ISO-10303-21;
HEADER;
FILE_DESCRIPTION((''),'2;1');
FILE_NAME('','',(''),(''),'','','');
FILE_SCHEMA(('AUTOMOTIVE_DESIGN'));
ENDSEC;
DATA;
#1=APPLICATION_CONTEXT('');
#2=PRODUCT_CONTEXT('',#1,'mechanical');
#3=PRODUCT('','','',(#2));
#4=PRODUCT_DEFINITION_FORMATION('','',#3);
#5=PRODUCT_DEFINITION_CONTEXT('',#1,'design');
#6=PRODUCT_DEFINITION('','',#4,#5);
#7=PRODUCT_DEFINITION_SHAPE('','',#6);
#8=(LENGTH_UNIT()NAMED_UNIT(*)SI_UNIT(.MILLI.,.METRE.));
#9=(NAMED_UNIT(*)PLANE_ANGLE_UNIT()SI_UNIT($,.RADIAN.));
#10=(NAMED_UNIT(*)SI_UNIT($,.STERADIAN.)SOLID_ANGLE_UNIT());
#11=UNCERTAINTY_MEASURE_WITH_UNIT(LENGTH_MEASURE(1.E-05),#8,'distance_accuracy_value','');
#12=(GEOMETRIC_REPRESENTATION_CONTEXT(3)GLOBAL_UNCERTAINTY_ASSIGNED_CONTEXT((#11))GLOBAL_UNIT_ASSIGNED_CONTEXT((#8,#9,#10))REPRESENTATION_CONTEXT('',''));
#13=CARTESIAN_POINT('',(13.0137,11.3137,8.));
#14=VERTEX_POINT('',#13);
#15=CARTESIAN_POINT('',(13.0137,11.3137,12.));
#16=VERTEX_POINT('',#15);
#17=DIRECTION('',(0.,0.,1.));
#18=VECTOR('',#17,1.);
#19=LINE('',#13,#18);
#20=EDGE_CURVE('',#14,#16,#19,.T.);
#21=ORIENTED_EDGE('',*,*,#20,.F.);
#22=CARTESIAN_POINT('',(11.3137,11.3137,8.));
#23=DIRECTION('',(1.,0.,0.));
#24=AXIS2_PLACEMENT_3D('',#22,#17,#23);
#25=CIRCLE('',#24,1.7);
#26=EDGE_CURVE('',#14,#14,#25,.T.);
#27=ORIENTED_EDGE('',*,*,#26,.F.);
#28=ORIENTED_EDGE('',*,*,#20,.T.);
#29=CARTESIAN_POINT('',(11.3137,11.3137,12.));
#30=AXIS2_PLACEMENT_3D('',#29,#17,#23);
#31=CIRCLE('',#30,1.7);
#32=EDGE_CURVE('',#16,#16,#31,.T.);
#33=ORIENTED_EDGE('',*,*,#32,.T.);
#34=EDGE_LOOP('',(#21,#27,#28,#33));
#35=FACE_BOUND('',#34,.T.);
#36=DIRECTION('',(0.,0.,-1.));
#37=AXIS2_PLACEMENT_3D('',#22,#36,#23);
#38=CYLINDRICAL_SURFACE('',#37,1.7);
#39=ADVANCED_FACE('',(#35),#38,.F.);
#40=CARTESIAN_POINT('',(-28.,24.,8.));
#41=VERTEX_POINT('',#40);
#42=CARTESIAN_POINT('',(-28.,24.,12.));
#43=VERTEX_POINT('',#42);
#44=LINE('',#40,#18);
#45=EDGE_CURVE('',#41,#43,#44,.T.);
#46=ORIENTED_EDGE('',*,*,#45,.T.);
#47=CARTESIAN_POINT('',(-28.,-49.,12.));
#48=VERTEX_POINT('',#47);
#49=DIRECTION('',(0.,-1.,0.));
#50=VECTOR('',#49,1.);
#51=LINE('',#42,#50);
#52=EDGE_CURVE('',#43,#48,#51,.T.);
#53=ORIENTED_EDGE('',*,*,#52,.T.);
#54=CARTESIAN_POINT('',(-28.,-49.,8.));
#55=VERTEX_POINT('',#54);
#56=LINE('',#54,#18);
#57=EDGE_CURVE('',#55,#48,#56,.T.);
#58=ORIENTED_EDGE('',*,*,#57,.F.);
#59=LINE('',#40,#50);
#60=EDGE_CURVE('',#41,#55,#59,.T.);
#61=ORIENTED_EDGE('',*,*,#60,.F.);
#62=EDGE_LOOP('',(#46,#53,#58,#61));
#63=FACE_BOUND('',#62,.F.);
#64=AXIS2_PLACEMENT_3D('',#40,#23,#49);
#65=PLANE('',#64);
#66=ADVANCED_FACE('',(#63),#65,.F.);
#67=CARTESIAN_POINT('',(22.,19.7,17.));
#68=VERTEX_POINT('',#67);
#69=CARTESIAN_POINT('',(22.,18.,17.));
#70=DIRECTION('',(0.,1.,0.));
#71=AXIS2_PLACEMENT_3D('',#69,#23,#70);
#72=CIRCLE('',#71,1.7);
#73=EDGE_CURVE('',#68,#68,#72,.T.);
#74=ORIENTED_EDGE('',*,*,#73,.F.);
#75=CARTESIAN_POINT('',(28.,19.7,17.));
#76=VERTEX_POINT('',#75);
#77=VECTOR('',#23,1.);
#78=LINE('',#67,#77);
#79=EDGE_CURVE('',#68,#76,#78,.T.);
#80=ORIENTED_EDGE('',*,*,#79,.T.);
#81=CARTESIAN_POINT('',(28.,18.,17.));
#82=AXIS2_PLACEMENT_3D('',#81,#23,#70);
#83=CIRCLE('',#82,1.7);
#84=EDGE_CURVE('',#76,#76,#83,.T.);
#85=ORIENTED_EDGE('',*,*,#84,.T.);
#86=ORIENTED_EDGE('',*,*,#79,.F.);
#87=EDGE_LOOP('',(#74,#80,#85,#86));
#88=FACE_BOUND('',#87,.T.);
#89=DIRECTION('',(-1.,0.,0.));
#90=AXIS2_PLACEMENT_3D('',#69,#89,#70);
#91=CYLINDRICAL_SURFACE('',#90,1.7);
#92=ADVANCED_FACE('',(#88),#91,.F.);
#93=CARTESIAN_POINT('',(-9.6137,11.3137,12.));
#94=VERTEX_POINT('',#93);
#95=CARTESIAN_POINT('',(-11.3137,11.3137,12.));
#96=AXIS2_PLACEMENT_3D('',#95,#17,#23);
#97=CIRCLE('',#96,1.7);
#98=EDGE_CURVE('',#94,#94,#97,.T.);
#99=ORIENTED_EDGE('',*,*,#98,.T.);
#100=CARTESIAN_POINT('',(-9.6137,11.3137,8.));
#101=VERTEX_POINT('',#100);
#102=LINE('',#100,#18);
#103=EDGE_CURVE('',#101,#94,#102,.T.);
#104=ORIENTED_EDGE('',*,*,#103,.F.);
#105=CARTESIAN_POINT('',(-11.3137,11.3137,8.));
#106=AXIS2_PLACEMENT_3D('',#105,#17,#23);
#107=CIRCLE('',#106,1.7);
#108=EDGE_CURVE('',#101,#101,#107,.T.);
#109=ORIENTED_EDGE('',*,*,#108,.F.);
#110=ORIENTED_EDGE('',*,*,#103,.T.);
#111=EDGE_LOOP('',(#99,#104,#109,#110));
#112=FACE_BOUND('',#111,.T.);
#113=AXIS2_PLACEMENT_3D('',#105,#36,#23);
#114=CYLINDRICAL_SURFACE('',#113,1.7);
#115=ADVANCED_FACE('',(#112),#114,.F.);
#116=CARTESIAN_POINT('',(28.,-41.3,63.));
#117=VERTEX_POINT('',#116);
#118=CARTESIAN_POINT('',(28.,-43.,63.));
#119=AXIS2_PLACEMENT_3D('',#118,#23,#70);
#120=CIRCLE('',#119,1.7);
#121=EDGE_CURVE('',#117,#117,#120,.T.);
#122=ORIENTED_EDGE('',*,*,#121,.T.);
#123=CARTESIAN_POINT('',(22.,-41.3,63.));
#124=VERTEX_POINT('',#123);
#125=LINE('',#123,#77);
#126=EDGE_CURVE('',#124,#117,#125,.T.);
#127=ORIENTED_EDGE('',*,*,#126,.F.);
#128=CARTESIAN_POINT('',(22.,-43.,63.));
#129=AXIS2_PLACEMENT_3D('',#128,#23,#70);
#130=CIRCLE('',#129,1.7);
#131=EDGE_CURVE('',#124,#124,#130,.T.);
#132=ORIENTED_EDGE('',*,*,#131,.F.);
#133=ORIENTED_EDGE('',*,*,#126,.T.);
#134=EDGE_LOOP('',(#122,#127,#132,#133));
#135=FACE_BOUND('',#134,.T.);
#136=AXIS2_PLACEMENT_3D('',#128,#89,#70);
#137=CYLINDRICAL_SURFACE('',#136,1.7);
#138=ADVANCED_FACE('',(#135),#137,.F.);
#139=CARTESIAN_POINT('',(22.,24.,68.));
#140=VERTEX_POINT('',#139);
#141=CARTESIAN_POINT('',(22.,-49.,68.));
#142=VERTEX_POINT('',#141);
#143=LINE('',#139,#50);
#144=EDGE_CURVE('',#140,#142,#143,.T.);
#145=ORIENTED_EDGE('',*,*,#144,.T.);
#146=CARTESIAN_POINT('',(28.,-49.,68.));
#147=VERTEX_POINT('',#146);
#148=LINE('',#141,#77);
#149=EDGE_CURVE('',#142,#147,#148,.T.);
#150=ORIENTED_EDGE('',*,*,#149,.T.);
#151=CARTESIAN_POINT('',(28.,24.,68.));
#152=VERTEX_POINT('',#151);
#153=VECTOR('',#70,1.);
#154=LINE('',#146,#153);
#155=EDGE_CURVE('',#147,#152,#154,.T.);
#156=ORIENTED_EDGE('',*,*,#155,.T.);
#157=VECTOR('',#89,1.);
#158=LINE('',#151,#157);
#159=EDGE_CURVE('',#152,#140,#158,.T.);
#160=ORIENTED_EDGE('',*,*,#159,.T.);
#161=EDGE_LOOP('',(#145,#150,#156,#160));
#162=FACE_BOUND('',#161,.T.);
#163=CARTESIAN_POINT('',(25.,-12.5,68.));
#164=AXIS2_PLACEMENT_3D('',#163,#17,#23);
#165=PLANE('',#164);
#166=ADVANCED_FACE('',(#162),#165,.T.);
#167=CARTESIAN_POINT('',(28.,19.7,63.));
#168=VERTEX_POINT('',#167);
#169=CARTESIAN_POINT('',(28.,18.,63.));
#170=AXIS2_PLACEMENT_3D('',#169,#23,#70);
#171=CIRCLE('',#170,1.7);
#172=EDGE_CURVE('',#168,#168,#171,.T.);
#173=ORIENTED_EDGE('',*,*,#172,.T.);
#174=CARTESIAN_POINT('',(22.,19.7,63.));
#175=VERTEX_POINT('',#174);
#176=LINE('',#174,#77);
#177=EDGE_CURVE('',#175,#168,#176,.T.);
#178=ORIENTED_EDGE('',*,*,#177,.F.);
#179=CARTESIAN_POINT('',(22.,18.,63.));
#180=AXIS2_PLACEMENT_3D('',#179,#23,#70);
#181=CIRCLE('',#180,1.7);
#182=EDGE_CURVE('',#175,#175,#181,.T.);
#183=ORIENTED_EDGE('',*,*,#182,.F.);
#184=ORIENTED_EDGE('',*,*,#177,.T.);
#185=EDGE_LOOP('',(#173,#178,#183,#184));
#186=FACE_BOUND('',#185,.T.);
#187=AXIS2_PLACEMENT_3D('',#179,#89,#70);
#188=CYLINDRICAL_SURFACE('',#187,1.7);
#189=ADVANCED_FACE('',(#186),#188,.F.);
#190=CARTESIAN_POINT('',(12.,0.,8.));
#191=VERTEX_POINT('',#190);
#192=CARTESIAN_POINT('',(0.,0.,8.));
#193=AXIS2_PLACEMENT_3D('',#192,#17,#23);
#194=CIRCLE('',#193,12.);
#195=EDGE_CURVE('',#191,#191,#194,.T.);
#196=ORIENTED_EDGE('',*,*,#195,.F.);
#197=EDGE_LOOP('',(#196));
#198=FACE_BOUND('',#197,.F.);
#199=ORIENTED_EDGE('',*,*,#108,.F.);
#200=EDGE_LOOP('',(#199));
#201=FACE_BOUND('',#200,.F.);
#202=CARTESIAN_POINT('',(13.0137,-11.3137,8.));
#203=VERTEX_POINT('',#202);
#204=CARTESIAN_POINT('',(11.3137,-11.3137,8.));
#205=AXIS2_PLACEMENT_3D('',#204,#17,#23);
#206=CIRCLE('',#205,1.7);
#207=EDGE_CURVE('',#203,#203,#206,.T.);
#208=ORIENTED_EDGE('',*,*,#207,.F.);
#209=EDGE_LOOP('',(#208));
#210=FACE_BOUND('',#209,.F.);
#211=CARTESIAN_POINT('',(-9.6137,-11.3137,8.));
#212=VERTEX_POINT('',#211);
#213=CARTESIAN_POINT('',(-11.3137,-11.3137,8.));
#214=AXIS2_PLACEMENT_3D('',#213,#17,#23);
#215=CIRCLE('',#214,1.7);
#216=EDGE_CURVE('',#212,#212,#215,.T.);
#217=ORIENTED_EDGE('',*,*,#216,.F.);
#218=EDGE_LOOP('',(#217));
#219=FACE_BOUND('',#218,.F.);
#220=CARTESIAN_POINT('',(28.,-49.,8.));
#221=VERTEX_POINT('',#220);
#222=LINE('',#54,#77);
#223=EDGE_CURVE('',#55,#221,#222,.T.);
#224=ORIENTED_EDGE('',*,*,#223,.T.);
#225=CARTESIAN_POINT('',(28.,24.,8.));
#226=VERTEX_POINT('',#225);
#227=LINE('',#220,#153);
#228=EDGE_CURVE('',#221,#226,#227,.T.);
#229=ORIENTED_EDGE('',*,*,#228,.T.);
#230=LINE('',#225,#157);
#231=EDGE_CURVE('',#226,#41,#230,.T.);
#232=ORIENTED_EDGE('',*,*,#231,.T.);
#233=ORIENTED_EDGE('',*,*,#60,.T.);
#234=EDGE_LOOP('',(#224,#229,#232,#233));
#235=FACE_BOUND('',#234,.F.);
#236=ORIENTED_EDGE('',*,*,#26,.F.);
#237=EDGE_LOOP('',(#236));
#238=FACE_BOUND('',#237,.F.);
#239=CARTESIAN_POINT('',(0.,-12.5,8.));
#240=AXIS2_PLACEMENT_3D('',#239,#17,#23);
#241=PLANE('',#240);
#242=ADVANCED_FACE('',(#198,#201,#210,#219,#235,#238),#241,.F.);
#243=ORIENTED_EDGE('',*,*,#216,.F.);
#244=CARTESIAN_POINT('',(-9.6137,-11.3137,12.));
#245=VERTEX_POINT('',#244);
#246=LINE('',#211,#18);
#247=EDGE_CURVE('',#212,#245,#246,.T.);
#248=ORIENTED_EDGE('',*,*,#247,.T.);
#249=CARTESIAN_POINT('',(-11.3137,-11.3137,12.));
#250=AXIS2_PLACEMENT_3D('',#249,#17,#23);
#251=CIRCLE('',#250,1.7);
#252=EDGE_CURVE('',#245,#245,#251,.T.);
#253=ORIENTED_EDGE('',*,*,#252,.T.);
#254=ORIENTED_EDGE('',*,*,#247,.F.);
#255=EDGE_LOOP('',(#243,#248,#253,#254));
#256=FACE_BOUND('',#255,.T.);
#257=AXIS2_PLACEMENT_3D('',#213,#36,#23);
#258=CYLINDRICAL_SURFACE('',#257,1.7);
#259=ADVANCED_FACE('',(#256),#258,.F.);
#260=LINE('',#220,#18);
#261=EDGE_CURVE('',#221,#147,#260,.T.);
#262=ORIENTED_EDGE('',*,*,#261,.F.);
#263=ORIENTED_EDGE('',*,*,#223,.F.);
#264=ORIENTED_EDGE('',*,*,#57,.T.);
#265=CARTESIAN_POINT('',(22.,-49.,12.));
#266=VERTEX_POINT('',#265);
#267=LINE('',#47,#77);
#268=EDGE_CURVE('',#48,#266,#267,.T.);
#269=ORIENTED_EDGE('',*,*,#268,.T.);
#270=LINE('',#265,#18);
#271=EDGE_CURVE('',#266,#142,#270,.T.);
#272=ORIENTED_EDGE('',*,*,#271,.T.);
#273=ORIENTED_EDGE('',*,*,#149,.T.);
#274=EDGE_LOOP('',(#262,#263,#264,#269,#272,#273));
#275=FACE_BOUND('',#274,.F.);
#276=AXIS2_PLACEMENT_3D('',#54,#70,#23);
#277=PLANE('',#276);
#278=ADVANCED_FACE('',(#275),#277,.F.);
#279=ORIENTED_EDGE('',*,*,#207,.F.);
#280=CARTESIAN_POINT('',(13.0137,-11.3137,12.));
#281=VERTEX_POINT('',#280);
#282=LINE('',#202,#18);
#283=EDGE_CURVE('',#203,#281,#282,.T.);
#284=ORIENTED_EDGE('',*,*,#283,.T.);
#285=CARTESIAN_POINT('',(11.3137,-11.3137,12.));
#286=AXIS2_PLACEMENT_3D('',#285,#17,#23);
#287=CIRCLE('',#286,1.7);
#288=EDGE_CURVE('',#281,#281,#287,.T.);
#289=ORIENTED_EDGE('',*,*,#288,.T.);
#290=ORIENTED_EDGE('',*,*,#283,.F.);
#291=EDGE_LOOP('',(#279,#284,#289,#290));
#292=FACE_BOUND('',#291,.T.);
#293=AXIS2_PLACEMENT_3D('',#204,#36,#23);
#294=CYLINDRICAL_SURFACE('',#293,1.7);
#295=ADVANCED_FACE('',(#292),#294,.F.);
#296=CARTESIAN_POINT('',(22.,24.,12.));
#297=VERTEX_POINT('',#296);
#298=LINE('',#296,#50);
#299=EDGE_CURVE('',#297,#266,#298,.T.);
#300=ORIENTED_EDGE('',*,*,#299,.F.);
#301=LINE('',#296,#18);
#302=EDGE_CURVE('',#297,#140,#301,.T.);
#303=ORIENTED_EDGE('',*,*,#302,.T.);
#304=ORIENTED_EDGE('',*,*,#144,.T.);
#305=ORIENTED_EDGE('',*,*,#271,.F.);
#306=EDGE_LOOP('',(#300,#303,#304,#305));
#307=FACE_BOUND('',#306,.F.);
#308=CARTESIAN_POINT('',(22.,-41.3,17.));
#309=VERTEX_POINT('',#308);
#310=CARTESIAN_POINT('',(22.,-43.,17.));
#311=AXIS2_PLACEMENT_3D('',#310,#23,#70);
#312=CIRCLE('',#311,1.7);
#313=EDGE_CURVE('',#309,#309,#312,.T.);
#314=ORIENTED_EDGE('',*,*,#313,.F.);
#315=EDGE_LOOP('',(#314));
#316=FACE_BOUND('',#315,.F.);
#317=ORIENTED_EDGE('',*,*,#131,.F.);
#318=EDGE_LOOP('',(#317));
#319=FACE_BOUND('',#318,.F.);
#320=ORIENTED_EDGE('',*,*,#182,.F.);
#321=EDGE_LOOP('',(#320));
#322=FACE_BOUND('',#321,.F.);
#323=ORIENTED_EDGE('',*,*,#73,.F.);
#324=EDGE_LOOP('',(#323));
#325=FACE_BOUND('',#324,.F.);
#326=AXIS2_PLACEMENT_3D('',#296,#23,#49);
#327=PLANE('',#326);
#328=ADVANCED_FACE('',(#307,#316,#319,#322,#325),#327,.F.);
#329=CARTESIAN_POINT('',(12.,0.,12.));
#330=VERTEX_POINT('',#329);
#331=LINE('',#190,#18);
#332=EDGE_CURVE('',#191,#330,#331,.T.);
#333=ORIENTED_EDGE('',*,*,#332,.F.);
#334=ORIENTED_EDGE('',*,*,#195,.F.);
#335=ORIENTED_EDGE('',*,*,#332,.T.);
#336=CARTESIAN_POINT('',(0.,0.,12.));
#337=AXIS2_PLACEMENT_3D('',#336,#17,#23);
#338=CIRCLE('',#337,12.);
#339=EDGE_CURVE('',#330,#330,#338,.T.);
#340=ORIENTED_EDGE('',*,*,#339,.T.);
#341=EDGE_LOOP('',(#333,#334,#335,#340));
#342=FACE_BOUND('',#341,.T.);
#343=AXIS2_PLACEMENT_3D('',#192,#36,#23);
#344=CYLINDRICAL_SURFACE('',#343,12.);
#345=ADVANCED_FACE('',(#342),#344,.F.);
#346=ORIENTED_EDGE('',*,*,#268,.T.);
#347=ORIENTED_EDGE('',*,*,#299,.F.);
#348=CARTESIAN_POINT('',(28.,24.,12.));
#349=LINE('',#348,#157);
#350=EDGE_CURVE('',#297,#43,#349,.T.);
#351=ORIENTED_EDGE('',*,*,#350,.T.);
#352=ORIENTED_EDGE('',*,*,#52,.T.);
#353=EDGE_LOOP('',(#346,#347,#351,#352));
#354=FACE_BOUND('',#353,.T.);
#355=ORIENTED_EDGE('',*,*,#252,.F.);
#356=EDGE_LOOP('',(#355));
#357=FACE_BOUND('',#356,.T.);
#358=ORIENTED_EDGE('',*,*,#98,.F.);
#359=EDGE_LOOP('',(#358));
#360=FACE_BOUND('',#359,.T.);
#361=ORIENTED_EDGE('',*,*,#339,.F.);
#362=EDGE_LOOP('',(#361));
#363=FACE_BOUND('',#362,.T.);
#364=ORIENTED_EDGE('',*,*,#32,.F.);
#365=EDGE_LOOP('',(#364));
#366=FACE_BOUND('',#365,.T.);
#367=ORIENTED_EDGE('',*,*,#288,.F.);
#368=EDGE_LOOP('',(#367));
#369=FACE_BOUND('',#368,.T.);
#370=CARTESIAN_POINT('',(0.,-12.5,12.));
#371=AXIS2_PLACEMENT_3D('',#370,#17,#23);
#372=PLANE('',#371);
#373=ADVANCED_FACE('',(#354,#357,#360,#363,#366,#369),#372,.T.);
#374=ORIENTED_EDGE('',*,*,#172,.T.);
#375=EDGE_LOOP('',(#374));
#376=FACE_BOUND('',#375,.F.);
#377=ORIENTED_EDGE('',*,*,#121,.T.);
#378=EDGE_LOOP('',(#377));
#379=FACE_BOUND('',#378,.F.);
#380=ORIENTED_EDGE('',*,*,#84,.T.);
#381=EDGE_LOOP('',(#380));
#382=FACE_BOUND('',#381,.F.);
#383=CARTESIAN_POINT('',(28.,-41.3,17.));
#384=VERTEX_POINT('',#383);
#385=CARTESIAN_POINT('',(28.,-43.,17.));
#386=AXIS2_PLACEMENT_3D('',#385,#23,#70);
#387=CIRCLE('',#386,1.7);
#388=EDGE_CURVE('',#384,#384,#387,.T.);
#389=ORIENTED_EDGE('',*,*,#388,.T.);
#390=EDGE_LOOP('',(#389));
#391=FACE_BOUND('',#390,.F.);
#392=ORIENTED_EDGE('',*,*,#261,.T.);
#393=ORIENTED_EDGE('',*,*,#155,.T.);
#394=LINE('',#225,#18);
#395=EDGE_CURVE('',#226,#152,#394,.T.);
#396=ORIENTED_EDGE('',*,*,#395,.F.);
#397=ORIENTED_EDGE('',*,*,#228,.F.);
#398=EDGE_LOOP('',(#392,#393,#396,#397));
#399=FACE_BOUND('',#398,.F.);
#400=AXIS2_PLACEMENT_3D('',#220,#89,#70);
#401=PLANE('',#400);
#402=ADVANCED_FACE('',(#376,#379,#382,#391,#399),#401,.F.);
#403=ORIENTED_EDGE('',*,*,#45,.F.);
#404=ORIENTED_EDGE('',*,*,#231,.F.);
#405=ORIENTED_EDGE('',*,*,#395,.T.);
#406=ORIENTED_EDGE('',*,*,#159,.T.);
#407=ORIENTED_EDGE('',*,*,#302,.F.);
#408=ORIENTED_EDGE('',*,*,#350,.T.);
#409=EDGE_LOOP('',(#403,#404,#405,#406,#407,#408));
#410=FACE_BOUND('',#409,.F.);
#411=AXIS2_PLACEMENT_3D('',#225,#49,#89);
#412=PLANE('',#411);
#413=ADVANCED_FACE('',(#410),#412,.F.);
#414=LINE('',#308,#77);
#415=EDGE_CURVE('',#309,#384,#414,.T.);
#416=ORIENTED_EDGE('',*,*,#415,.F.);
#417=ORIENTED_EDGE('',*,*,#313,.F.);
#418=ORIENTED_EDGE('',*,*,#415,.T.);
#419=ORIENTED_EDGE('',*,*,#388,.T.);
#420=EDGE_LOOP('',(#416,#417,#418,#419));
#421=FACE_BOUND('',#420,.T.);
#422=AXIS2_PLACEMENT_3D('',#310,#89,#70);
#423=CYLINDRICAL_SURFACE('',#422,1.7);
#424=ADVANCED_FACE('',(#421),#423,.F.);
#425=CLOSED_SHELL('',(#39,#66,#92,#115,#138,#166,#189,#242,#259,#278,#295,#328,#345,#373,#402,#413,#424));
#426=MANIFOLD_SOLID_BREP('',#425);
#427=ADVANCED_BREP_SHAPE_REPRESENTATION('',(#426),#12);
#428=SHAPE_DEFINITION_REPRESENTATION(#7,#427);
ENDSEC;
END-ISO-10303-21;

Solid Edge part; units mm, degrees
sketch "Sketch1" plane through (0, 0, 8) normal (0, 0, 1) x (1, 0, 0)
  line L0 (-28, -49) -> (28, -49)
  line L1 (28, -49) -> (28, 24)
  line L2 (28, 24) -> (-28, 24)
  line L3 (-28, 24) -> (-28, -49)
  circle A0 centre (0, 0) radius 12
  circle A1 centre (11.3137, 11.3137) radius 1.7
  circle A2 centre (-11.3137, 11.3137) radius 1.7
  circle A3 centre (-11.3137, -11.3137) radius 1.7
  circle A4 centre (11.3137, -11.3137) radius 1.7
extrude "ExtrudedProtrusion_1" add sketch "Sketch1" along normal blind 4
sketch "Sketch2" plane through (0, 0, 12) normal (0, 0, 1) x (1, 0, 0)
  line L0 (22, -49) -> (28, -49)
  line L1 (28, -49) -> (28, 24)
  line L2 (28, 24) -> (22, 24)
  line L3 (22, 24) -> (22, -49)
extrude "ExtrudedProtrusion_2" add sketch "Sketch2" along normal blind 56
sketch "Sketch3" plane through (22, 0, 0) normal (1, 0, 0) x (0, 1, 0)
  circle A0 centre (-43, 63) radius 1.7
  circle A1 centre (-43, 17) radius 1.7
  circle A2 centre (18, 63) radius 1.7
  circle A3 centre (18, 17) radius 1.7
extrude "ExtrudedCutout_1" cut sketch "Sketch3" along normal blind 6
